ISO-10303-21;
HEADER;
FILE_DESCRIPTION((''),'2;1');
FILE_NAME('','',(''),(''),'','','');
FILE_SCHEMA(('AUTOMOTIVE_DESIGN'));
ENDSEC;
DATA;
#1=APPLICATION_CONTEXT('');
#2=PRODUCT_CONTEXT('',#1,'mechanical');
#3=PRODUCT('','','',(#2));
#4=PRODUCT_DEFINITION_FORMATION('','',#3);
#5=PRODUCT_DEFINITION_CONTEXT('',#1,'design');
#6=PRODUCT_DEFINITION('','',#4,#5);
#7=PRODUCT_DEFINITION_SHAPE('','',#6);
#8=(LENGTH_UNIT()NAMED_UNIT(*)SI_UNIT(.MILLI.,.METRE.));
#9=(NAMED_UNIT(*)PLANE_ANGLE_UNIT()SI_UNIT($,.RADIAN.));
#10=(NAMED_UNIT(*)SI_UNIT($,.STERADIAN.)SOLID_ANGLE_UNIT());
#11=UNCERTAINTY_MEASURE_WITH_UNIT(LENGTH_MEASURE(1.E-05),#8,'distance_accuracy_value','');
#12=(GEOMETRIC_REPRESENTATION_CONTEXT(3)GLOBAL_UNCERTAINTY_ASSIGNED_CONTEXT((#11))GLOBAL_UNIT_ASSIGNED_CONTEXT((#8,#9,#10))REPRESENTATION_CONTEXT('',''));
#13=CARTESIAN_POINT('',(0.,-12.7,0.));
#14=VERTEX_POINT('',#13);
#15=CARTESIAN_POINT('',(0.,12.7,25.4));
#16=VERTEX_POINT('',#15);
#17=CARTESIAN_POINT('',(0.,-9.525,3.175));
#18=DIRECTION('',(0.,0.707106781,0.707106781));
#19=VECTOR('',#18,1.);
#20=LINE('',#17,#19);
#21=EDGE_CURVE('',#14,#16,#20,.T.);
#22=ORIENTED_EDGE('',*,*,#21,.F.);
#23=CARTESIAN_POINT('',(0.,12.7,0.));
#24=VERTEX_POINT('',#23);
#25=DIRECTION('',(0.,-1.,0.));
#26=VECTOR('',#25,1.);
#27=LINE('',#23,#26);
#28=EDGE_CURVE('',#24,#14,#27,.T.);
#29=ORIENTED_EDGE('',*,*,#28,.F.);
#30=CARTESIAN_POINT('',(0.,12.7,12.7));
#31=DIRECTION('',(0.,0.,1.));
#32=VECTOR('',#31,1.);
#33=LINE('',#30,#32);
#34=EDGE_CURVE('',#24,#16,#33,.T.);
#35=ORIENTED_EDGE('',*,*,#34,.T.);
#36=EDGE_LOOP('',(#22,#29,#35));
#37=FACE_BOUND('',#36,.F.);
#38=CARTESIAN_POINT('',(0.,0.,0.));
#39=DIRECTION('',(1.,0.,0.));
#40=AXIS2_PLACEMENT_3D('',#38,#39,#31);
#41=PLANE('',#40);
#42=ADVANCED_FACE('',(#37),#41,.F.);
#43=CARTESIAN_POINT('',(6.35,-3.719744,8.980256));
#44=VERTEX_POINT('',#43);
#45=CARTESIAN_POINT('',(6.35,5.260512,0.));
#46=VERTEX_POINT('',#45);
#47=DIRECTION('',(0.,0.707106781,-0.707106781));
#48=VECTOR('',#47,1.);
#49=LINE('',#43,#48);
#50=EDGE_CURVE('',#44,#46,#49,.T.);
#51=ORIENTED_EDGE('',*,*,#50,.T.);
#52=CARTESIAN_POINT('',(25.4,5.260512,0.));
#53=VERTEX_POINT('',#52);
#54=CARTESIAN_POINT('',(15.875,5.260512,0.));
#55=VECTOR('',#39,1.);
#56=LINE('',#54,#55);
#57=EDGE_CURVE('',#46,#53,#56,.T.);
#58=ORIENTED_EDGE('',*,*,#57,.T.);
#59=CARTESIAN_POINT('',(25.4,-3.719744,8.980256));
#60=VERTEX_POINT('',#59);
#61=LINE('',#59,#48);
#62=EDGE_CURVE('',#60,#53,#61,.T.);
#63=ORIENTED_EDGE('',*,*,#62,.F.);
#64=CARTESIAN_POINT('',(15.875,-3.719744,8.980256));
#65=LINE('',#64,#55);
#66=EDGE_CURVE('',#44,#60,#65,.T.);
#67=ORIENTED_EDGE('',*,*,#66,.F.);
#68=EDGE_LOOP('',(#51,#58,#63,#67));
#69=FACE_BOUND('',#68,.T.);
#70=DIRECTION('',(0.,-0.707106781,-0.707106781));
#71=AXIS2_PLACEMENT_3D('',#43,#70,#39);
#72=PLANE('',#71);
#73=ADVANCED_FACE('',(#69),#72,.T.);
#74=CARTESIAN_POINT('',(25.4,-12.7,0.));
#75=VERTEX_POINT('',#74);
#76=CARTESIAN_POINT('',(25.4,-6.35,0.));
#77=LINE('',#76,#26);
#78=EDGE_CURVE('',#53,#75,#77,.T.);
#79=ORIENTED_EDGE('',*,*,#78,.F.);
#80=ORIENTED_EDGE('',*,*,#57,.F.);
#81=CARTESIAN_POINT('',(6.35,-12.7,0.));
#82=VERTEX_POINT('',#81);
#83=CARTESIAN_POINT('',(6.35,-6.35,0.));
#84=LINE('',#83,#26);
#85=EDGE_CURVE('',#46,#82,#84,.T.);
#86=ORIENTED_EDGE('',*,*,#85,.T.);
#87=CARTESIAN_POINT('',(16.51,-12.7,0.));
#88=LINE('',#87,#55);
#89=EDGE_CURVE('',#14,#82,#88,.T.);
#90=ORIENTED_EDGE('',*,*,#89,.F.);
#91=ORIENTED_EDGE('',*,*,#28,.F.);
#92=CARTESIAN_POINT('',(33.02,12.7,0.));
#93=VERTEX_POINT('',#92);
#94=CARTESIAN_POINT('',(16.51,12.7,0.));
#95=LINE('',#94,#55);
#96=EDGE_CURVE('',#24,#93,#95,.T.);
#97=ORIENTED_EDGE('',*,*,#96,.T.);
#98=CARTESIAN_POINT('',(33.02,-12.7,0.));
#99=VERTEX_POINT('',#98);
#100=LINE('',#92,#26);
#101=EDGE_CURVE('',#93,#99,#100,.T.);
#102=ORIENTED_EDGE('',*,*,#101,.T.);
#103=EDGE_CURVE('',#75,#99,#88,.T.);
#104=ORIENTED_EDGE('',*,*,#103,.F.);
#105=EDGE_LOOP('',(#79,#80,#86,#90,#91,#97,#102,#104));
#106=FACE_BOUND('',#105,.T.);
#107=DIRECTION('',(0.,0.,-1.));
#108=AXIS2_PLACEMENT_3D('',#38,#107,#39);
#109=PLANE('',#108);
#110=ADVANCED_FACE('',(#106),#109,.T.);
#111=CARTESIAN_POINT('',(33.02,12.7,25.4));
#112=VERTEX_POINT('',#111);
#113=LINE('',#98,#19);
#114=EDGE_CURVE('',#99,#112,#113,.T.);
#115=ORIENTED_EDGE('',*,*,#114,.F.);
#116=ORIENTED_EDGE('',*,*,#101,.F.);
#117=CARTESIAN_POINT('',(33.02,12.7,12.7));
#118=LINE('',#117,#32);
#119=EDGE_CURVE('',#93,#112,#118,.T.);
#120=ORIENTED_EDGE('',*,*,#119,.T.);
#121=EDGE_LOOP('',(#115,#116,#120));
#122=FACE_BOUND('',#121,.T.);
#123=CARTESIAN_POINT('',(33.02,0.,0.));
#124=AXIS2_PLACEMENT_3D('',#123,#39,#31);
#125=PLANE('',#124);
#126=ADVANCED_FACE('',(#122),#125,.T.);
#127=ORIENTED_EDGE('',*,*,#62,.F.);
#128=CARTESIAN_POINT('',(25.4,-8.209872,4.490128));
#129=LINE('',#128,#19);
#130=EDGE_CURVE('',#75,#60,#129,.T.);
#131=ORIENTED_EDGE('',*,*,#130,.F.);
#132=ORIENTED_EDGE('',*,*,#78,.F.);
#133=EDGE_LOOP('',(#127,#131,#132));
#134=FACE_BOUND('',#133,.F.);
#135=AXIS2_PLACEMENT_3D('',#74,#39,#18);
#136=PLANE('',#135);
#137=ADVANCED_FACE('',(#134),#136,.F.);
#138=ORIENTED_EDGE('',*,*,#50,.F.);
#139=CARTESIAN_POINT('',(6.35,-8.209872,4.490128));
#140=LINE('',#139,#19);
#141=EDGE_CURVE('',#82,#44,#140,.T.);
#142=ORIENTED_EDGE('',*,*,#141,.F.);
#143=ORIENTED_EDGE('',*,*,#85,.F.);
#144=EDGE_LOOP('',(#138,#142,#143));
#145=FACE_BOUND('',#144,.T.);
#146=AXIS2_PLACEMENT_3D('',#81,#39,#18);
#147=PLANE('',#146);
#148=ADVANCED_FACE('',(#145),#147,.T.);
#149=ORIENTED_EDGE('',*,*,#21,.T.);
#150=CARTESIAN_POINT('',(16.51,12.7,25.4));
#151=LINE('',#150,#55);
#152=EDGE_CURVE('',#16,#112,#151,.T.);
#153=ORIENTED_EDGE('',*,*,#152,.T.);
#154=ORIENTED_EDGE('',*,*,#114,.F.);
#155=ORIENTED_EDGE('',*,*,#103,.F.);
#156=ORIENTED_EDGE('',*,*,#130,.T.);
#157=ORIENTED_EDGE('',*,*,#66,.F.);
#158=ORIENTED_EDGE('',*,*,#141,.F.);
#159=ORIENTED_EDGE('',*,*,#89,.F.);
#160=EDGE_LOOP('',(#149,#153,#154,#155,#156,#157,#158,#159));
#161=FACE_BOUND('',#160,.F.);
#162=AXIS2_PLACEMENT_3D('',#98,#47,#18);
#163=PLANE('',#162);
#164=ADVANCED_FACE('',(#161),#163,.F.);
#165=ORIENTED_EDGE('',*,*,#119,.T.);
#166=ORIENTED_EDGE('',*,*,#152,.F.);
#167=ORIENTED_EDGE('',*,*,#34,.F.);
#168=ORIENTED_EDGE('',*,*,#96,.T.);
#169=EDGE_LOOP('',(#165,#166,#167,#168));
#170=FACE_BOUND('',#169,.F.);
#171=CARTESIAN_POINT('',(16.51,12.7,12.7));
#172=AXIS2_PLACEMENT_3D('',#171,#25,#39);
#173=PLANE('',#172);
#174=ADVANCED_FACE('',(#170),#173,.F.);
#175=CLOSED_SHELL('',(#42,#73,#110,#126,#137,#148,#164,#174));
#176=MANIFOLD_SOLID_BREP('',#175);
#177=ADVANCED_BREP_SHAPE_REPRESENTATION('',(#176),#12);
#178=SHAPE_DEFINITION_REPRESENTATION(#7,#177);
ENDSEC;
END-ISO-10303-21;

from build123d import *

# Parameters (mm, degrees)
F0_W     = 33.02
F0_H     = 25.4
F1_DEPTH = 12.7
F3_DEPTH = 33.021
F4_W     = 19.05
F4_H     = 12.7
F5_DEPTH = 12.7


with BuildPart() as f1:
    # F0 (on Front) → F1 (new body, symmetric)
    with BuildSketch(Plane.XZ):
        with Locations((16.51, 12.7)):
            Rectangle(F0_W, F0_H)
    extrude(amount=F1_DEPTH, both=True)

    # F2 (on face) → F3 (cut, through all)
    with BuildSketch(Plane.YZ.offset(33.02)):
        Polygon((-12.7, 0), (12.7, 25.4), (-12.7, 25.4), align=None)
    extrude(amount=-F3_DEPTH, mode=Mode.SUBTRACT)

    # F4 (on face) → F5 (cut)
    with BuildSketch(Plane(origin=(0, -6.35, 6.35), x_dir=(1, 0, 0), z_dir=(0, -0.707107, 0.707107))):
        with Locations((15.875, -2.630256)):
            Rectangle(F4_W, F4_H)
    extrude(amount=-F5_DEPTH, mode=Mode.SUBTRACT)


solid = f1.part
